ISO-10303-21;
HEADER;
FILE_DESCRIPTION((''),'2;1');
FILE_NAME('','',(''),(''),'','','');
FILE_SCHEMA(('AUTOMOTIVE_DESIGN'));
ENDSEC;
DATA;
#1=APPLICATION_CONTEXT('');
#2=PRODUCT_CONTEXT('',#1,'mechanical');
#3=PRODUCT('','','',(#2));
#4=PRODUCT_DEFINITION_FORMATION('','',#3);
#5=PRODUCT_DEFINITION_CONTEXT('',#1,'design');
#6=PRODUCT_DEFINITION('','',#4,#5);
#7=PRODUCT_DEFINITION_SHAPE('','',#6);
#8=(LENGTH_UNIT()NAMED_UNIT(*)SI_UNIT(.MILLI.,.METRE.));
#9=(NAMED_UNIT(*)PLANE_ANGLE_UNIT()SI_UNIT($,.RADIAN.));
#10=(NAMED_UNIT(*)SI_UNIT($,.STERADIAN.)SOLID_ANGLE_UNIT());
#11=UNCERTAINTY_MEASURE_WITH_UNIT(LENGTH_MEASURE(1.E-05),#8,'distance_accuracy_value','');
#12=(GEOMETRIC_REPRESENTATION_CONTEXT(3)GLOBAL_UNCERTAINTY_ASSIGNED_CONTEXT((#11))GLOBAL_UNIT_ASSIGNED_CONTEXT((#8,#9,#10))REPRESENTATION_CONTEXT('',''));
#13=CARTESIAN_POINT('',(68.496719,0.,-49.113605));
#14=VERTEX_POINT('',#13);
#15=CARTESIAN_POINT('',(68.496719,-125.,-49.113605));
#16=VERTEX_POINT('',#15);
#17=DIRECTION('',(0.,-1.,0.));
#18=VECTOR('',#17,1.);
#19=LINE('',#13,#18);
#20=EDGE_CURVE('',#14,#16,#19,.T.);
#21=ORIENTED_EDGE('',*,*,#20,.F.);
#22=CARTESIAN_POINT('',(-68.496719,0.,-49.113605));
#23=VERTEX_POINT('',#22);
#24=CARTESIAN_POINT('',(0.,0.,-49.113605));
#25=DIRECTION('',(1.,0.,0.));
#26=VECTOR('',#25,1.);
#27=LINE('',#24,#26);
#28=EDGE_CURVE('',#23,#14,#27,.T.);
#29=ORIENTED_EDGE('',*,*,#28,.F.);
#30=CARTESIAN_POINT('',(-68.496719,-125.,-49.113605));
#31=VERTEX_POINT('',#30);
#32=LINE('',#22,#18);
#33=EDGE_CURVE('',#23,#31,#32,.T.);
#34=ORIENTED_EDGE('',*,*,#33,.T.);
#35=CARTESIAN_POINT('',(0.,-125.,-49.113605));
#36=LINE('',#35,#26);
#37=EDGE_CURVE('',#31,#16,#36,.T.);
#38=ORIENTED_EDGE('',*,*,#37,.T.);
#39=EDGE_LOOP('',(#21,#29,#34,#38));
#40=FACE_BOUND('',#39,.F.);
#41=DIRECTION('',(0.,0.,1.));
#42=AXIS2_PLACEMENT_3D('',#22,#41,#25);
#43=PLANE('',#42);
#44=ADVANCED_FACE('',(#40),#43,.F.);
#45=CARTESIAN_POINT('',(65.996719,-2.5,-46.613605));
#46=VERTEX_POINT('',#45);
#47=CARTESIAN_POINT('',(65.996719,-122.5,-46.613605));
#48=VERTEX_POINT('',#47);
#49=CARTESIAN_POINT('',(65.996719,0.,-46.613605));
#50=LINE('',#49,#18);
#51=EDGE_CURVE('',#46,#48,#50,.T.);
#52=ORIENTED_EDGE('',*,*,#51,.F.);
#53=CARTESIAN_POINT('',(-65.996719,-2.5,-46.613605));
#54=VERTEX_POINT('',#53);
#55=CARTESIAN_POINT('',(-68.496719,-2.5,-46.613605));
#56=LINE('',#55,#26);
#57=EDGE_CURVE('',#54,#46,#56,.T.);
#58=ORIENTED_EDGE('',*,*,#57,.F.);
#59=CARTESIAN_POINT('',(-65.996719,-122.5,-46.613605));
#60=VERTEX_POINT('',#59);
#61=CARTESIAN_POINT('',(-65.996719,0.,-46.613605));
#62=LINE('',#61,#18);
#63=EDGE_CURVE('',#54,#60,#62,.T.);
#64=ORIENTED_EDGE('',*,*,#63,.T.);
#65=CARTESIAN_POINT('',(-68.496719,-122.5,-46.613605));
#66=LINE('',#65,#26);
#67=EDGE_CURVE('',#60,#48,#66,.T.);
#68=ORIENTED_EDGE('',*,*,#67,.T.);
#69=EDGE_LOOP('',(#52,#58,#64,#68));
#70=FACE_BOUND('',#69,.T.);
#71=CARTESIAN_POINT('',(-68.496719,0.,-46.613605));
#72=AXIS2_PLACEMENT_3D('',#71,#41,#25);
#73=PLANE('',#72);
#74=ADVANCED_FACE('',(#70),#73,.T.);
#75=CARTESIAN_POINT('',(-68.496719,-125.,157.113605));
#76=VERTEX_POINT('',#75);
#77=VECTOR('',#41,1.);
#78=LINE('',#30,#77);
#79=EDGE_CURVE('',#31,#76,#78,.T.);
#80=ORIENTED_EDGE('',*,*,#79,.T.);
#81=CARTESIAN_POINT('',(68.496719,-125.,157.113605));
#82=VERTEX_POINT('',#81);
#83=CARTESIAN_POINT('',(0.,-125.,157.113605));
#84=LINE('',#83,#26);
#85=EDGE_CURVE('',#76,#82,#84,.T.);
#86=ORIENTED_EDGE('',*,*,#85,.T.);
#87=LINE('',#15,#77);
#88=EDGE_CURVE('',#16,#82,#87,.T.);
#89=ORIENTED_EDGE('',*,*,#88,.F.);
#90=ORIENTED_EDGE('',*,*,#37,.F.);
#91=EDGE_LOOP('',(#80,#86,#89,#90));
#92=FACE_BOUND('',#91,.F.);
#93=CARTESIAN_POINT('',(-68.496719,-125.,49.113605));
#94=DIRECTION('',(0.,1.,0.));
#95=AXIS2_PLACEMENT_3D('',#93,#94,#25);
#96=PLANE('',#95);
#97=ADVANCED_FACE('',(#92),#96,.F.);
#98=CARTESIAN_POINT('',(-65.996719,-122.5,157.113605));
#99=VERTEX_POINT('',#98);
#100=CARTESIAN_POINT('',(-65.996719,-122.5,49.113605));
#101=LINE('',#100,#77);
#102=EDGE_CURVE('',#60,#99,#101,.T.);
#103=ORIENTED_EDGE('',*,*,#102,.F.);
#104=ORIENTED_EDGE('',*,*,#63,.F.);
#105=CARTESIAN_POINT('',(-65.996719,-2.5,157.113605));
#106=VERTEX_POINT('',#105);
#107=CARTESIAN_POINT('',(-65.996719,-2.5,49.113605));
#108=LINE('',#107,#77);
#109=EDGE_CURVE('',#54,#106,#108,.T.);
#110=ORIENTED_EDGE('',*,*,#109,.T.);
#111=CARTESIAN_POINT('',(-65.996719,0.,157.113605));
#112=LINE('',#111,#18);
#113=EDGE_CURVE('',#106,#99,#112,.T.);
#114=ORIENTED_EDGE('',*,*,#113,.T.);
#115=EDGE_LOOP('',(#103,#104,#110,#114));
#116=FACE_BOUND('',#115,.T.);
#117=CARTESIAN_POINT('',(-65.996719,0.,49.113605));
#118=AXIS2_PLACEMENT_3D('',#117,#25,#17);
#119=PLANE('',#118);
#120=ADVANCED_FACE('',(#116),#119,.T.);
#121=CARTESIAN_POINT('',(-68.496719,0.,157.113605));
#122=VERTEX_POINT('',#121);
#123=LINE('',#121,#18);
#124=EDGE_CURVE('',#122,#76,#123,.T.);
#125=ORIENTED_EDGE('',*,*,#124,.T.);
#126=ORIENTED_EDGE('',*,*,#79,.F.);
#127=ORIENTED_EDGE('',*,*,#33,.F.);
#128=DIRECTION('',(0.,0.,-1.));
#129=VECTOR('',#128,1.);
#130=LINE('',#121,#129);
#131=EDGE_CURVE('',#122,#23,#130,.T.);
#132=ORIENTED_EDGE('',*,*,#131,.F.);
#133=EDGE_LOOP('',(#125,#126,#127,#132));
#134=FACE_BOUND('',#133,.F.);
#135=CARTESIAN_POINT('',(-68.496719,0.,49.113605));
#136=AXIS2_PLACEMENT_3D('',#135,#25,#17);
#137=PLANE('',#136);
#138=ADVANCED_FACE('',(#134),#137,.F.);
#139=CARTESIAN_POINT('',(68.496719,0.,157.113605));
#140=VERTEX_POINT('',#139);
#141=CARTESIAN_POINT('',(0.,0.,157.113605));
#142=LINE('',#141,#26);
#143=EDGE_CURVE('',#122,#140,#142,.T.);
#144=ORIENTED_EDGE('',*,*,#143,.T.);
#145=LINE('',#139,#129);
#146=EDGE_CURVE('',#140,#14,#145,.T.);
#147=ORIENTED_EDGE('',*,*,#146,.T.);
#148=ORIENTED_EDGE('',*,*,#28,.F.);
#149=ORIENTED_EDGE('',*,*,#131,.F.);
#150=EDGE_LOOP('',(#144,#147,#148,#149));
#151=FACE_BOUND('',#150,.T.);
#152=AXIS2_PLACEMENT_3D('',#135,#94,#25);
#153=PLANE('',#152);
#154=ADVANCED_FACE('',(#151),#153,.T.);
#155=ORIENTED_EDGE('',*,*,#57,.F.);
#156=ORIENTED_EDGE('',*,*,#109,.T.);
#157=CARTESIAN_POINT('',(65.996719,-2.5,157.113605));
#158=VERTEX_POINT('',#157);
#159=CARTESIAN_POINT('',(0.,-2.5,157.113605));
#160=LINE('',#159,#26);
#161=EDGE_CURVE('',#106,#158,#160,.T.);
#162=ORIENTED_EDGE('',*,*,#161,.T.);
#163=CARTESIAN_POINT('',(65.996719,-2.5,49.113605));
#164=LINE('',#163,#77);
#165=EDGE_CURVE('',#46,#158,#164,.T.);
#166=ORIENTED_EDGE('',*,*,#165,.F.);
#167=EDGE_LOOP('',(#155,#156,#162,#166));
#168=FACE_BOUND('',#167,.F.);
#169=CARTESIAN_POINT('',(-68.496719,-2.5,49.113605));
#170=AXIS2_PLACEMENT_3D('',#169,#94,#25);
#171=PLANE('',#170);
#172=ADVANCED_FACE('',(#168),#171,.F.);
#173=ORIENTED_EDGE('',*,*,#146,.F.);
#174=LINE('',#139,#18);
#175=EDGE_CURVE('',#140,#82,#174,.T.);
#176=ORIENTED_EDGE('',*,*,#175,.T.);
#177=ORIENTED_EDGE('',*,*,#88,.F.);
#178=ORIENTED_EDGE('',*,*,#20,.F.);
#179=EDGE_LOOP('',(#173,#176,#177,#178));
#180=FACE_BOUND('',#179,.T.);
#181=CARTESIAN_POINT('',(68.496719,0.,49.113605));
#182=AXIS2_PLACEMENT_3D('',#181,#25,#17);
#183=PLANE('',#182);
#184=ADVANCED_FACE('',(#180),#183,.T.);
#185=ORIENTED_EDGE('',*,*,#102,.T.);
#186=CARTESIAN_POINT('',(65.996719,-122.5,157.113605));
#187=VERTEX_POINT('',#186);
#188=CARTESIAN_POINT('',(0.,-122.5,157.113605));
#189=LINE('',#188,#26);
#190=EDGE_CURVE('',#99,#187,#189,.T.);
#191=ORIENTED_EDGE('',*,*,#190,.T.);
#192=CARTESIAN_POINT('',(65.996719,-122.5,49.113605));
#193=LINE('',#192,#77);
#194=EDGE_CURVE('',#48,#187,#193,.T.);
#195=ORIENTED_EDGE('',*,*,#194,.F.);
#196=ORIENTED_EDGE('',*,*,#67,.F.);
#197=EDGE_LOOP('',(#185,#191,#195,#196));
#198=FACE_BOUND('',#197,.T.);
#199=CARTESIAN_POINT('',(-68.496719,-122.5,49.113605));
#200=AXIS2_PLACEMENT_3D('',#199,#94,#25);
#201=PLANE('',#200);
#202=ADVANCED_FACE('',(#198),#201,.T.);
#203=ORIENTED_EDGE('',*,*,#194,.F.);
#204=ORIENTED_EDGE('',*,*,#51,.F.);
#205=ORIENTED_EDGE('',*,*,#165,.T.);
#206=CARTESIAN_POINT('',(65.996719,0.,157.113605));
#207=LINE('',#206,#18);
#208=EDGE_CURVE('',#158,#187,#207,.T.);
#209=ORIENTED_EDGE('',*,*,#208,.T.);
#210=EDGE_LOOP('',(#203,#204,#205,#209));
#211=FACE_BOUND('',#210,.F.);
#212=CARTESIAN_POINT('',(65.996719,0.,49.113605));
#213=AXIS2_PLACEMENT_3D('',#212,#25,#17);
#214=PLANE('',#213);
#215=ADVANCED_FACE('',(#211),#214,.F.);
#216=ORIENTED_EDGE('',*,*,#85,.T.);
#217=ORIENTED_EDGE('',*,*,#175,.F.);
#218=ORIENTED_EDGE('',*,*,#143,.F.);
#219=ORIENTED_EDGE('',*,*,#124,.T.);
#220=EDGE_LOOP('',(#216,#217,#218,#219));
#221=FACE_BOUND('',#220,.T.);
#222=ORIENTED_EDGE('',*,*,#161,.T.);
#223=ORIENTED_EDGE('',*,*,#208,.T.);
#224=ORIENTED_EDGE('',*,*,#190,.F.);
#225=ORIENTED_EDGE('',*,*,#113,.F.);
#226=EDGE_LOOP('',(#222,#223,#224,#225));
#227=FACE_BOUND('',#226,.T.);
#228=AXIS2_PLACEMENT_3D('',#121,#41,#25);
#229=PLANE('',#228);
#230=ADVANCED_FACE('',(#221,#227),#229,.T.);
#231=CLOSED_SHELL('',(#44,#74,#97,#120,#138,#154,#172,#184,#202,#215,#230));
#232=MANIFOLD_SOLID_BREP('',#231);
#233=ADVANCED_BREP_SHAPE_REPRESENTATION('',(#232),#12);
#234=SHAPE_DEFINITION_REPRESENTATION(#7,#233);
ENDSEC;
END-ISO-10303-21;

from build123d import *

# Parameters (mm, degrees)
F0_W     = 136.9934380054
F0_H     = 98.2272103429
F1_DEPTH = 125
F2_DEPTH = 108
F3_T     = -2.5


with BuildPart() as f1:
    # F0 (on Front) → F1 (new body)
    with BuildSketch(Plane.XZ):
        Rectangle(F0_W, F0_H)
    extrude(amount=F1_DEPTH)

    # F2 (add): a face of the model
    f2_faces = [f1.faces().sort_by_distance(p)[0] for p in [
        (0, -62.5, 49.1136051714),
    ]]
    extrude(f2_faces, amount=F2_DEPTH)

    # F3
    f3_openings = [f1.faces().sort_by_distance(p)[0] for p in [
        (0, -62.5, 157.113605),
    ]]
    offset(amount=F3_T, openings=f3_openings)


solid = f1.part
